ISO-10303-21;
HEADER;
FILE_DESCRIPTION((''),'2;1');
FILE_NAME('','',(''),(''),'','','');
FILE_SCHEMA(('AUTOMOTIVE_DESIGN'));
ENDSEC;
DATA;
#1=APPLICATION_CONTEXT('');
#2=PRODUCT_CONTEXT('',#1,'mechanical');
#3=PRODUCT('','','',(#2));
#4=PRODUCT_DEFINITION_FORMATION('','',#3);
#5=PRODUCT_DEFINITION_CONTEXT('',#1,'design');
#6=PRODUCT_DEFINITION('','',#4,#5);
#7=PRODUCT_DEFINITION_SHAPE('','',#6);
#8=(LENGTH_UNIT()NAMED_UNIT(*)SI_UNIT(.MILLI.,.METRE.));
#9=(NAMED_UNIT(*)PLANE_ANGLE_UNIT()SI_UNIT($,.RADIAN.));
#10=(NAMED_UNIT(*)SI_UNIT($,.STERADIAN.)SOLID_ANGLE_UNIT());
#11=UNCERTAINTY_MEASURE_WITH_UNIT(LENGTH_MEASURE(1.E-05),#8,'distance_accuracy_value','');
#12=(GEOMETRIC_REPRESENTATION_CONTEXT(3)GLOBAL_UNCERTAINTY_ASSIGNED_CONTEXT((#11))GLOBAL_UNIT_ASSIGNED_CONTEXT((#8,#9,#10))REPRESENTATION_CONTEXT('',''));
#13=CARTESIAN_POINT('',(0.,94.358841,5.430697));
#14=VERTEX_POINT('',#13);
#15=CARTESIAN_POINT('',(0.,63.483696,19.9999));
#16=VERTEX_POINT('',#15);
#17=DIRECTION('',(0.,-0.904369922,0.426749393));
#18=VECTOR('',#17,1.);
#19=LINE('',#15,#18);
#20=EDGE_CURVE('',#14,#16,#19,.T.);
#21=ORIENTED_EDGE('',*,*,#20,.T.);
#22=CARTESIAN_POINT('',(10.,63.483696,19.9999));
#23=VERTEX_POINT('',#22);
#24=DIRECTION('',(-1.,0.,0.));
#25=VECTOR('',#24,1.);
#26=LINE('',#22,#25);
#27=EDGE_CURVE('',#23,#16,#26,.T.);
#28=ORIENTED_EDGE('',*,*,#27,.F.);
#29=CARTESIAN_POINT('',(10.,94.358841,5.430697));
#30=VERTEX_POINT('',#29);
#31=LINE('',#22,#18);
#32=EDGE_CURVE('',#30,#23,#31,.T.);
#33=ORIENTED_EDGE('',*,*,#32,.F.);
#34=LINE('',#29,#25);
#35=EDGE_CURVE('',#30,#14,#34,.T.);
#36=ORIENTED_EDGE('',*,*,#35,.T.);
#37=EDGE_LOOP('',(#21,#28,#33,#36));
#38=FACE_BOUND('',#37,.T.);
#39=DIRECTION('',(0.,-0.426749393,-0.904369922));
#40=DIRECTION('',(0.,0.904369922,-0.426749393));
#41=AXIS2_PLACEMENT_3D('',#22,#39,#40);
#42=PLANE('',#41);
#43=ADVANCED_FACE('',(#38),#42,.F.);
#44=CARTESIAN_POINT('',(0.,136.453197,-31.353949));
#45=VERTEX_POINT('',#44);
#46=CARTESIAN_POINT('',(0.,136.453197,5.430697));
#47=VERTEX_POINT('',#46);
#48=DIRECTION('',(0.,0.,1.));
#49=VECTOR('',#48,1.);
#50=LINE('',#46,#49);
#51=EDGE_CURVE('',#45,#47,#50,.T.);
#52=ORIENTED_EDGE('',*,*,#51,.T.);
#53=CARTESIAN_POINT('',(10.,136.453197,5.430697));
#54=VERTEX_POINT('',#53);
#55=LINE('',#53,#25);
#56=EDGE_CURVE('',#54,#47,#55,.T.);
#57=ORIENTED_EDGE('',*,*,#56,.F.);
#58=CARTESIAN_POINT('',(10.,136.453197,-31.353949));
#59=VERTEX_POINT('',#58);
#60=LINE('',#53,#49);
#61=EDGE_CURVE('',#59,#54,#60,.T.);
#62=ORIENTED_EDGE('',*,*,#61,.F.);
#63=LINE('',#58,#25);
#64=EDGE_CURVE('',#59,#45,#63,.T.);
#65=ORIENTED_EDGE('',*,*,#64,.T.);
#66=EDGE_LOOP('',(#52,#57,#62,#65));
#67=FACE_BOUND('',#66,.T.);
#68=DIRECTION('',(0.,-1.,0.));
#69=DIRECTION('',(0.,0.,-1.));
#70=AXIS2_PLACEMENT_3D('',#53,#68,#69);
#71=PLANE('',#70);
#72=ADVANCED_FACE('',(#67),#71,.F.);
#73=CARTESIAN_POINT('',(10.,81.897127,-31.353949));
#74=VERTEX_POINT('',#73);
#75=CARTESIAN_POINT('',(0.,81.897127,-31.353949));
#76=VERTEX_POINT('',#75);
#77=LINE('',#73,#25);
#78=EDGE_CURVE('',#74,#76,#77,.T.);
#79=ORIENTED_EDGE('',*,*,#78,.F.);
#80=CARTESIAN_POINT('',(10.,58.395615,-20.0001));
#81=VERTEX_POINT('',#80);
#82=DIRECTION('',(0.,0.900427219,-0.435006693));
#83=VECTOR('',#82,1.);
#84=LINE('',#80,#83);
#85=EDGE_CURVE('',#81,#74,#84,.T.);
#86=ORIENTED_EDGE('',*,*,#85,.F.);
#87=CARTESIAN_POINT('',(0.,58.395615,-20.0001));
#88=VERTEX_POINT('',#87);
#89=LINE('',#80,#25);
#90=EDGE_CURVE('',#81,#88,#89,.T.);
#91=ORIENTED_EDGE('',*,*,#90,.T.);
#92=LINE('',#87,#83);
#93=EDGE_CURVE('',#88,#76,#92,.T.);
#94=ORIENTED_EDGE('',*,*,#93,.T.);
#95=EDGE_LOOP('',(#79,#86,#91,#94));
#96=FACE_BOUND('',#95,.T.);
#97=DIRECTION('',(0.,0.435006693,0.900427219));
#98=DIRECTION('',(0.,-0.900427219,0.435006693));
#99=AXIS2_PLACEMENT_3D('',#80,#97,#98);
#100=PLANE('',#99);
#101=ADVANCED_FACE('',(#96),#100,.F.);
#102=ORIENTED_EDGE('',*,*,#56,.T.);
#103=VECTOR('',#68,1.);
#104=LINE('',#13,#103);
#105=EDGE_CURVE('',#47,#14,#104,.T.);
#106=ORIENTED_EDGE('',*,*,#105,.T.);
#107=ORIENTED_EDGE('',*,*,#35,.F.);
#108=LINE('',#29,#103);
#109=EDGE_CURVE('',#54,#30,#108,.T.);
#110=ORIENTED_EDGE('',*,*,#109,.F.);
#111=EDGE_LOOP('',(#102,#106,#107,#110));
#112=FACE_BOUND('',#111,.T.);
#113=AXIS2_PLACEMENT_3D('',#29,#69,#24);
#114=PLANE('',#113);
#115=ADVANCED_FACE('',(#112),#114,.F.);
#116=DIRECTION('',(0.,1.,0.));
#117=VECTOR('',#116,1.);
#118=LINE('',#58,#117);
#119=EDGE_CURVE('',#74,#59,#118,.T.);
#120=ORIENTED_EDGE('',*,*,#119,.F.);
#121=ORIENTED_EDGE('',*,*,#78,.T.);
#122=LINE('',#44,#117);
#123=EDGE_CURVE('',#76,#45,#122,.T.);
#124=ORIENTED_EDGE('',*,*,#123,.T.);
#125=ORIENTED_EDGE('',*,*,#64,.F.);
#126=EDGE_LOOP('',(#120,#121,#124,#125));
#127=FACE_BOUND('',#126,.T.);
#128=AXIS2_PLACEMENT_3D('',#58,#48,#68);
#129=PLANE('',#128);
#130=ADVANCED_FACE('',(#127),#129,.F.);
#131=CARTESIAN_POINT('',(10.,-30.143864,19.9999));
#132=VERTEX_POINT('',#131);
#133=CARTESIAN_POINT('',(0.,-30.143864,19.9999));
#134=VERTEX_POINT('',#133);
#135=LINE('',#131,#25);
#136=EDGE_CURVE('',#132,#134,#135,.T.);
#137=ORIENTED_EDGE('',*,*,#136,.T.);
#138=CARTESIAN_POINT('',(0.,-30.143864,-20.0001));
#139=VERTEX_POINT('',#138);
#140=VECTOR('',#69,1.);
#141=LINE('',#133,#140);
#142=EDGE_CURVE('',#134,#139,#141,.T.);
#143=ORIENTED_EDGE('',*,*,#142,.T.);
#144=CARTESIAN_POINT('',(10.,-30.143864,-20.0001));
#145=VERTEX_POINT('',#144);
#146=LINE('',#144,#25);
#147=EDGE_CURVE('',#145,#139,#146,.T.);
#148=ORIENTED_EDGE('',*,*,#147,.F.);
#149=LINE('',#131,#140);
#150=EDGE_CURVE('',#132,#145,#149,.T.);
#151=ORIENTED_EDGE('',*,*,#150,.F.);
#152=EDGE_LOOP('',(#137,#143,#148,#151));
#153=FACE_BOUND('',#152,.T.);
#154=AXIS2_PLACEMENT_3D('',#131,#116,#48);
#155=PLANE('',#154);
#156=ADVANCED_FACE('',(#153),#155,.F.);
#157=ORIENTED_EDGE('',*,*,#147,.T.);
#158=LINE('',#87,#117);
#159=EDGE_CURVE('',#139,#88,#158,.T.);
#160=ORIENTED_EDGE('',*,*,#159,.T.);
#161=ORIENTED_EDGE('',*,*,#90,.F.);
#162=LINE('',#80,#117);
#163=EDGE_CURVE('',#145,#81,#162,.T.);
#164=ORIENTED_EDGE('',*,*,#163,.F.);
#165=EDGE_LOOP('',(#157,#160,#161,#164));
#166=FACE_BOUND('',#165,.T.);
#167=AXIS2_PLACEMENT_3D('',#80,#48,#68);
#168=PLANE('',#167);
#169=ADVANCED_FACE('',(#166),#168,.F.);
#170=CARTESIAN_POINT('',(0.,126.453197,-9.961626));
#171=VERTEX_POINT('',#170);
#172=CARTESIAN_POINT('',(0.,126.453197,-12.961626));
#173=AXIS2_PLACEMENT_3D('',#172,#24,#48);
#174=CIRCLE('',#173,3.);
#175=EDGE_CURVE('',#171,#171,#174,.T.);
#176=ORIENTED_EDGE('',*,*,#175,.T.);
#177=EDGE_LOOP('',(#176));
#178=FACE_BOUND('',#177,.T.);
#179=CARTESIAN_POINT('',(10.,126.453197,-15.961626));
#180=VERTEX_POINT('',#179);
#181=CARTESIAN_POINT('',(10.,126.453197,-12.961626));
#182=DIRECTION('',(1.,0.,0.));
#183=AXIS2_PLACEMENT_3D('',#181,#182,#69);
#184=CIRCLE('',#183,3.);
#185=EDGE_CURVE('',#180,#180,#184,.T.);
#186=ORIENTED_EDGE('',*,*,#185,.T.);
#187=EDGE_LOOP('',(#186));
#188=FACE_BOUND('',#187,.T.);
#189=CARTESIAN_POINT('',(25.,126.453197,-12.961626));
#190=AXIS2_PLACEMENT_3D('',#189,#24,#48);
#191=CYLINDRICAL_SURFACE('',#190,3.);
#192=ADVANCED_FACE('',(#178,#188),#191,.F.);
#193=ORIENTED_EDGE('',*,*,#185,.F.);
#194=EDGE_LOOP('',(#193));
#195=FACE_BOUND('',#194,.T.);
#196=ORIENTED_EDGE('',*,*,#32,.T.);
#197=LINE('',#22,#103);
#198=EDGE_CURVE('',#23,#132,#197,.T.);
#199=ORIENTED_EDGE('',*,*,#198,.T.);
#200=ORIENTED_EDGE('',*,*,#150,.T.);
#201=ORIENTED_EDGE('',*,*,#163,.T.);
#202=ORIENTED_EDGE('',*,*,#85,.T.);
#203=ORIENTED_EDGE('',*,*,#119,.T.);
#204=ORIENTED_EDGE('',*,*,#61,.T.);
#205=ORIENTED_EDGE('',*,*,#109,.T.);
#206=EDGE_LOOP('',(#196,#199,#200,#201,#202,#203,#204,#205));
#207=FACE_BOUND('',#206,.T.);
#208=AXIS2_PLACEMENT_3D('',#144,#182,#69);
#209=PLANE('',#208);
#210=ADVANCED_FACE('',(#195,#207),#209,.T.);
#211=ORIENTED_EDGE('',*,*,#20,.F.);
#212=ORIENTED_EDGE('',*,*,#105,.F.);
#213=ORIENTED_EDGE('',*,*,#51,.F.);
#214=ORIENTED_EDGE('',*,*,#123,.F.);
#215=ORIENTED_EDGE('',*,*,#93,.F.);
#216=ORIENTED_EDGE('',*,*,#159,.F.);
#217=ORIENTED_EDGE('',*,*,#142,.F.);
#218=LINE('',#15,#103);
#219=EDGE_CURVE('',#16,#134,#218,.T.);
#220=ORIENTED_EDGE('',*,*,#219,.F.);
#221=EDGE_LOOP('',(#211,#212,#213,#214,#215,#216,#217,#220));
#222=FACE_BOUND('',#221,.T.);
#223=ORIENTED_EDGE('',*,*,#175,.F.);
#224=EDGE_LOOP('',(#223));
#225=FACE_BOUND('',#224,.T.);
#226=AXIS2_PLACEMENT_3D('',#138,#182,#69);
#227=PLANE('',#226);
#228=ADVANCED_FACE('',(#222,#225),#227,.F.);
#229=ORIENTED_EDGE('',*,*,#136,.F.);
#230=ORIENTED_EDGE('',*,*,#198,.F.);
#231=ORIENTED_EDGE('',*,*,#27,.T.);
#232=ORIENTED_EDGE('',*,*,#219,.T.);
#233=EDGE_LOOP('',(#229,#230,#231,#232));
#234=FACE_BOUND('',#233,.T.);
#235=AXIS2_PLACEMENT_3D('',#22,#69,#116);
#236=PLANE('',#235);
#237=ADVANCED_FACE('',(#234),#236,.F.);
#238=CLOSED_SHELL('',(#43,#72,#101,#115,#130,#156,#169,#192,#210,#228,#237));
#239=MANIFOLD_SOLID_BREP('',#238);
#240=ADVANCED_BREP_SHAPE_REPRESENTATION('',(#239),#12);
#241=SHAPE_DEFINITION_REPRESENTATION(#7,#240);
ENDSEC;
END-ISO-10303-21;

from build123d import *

# Parameters (mm, degrees)
EXTRUDE_1_DEPTH     = 10
SKETCH_2_R          = 3
CUT_EXTRUDE_1_DEPTH = 25


with BuildPart() as part:
    # Эскиз1 → Вытянуть1 (new body)
    with BuildSketch(Plane(origin=(0, 0, 0), x_dir=(0, 0, -1), z_dir=(1, 0, 0))):
        Polygon((-19.99990009, 63.483695787), (-5.430696524, 94.358841013), (-5.430696524, 136.453197444), (31.353949284, 136.453197444), (31.353949284, 81.897126676), (20.00009991, 58.395614664), (20.00009991, -30.143863535), (-19.99990009, -30.143863535), align=None)
    extrude(amount=EXTRUDE_1_DEPTH)

    # Эскиз2 → Вырез-Вытянуть1 (cut)
    with BuildSketch(Plane.ZY):
        with Locations((-12.96162638, 126.453197444)):
            Circle(SKETCH_2_R)
    extrude(amount=-CUT_EXTRUDE_1_DEPTH, mode=Mode.SUBTRACT)


solid = part.part
